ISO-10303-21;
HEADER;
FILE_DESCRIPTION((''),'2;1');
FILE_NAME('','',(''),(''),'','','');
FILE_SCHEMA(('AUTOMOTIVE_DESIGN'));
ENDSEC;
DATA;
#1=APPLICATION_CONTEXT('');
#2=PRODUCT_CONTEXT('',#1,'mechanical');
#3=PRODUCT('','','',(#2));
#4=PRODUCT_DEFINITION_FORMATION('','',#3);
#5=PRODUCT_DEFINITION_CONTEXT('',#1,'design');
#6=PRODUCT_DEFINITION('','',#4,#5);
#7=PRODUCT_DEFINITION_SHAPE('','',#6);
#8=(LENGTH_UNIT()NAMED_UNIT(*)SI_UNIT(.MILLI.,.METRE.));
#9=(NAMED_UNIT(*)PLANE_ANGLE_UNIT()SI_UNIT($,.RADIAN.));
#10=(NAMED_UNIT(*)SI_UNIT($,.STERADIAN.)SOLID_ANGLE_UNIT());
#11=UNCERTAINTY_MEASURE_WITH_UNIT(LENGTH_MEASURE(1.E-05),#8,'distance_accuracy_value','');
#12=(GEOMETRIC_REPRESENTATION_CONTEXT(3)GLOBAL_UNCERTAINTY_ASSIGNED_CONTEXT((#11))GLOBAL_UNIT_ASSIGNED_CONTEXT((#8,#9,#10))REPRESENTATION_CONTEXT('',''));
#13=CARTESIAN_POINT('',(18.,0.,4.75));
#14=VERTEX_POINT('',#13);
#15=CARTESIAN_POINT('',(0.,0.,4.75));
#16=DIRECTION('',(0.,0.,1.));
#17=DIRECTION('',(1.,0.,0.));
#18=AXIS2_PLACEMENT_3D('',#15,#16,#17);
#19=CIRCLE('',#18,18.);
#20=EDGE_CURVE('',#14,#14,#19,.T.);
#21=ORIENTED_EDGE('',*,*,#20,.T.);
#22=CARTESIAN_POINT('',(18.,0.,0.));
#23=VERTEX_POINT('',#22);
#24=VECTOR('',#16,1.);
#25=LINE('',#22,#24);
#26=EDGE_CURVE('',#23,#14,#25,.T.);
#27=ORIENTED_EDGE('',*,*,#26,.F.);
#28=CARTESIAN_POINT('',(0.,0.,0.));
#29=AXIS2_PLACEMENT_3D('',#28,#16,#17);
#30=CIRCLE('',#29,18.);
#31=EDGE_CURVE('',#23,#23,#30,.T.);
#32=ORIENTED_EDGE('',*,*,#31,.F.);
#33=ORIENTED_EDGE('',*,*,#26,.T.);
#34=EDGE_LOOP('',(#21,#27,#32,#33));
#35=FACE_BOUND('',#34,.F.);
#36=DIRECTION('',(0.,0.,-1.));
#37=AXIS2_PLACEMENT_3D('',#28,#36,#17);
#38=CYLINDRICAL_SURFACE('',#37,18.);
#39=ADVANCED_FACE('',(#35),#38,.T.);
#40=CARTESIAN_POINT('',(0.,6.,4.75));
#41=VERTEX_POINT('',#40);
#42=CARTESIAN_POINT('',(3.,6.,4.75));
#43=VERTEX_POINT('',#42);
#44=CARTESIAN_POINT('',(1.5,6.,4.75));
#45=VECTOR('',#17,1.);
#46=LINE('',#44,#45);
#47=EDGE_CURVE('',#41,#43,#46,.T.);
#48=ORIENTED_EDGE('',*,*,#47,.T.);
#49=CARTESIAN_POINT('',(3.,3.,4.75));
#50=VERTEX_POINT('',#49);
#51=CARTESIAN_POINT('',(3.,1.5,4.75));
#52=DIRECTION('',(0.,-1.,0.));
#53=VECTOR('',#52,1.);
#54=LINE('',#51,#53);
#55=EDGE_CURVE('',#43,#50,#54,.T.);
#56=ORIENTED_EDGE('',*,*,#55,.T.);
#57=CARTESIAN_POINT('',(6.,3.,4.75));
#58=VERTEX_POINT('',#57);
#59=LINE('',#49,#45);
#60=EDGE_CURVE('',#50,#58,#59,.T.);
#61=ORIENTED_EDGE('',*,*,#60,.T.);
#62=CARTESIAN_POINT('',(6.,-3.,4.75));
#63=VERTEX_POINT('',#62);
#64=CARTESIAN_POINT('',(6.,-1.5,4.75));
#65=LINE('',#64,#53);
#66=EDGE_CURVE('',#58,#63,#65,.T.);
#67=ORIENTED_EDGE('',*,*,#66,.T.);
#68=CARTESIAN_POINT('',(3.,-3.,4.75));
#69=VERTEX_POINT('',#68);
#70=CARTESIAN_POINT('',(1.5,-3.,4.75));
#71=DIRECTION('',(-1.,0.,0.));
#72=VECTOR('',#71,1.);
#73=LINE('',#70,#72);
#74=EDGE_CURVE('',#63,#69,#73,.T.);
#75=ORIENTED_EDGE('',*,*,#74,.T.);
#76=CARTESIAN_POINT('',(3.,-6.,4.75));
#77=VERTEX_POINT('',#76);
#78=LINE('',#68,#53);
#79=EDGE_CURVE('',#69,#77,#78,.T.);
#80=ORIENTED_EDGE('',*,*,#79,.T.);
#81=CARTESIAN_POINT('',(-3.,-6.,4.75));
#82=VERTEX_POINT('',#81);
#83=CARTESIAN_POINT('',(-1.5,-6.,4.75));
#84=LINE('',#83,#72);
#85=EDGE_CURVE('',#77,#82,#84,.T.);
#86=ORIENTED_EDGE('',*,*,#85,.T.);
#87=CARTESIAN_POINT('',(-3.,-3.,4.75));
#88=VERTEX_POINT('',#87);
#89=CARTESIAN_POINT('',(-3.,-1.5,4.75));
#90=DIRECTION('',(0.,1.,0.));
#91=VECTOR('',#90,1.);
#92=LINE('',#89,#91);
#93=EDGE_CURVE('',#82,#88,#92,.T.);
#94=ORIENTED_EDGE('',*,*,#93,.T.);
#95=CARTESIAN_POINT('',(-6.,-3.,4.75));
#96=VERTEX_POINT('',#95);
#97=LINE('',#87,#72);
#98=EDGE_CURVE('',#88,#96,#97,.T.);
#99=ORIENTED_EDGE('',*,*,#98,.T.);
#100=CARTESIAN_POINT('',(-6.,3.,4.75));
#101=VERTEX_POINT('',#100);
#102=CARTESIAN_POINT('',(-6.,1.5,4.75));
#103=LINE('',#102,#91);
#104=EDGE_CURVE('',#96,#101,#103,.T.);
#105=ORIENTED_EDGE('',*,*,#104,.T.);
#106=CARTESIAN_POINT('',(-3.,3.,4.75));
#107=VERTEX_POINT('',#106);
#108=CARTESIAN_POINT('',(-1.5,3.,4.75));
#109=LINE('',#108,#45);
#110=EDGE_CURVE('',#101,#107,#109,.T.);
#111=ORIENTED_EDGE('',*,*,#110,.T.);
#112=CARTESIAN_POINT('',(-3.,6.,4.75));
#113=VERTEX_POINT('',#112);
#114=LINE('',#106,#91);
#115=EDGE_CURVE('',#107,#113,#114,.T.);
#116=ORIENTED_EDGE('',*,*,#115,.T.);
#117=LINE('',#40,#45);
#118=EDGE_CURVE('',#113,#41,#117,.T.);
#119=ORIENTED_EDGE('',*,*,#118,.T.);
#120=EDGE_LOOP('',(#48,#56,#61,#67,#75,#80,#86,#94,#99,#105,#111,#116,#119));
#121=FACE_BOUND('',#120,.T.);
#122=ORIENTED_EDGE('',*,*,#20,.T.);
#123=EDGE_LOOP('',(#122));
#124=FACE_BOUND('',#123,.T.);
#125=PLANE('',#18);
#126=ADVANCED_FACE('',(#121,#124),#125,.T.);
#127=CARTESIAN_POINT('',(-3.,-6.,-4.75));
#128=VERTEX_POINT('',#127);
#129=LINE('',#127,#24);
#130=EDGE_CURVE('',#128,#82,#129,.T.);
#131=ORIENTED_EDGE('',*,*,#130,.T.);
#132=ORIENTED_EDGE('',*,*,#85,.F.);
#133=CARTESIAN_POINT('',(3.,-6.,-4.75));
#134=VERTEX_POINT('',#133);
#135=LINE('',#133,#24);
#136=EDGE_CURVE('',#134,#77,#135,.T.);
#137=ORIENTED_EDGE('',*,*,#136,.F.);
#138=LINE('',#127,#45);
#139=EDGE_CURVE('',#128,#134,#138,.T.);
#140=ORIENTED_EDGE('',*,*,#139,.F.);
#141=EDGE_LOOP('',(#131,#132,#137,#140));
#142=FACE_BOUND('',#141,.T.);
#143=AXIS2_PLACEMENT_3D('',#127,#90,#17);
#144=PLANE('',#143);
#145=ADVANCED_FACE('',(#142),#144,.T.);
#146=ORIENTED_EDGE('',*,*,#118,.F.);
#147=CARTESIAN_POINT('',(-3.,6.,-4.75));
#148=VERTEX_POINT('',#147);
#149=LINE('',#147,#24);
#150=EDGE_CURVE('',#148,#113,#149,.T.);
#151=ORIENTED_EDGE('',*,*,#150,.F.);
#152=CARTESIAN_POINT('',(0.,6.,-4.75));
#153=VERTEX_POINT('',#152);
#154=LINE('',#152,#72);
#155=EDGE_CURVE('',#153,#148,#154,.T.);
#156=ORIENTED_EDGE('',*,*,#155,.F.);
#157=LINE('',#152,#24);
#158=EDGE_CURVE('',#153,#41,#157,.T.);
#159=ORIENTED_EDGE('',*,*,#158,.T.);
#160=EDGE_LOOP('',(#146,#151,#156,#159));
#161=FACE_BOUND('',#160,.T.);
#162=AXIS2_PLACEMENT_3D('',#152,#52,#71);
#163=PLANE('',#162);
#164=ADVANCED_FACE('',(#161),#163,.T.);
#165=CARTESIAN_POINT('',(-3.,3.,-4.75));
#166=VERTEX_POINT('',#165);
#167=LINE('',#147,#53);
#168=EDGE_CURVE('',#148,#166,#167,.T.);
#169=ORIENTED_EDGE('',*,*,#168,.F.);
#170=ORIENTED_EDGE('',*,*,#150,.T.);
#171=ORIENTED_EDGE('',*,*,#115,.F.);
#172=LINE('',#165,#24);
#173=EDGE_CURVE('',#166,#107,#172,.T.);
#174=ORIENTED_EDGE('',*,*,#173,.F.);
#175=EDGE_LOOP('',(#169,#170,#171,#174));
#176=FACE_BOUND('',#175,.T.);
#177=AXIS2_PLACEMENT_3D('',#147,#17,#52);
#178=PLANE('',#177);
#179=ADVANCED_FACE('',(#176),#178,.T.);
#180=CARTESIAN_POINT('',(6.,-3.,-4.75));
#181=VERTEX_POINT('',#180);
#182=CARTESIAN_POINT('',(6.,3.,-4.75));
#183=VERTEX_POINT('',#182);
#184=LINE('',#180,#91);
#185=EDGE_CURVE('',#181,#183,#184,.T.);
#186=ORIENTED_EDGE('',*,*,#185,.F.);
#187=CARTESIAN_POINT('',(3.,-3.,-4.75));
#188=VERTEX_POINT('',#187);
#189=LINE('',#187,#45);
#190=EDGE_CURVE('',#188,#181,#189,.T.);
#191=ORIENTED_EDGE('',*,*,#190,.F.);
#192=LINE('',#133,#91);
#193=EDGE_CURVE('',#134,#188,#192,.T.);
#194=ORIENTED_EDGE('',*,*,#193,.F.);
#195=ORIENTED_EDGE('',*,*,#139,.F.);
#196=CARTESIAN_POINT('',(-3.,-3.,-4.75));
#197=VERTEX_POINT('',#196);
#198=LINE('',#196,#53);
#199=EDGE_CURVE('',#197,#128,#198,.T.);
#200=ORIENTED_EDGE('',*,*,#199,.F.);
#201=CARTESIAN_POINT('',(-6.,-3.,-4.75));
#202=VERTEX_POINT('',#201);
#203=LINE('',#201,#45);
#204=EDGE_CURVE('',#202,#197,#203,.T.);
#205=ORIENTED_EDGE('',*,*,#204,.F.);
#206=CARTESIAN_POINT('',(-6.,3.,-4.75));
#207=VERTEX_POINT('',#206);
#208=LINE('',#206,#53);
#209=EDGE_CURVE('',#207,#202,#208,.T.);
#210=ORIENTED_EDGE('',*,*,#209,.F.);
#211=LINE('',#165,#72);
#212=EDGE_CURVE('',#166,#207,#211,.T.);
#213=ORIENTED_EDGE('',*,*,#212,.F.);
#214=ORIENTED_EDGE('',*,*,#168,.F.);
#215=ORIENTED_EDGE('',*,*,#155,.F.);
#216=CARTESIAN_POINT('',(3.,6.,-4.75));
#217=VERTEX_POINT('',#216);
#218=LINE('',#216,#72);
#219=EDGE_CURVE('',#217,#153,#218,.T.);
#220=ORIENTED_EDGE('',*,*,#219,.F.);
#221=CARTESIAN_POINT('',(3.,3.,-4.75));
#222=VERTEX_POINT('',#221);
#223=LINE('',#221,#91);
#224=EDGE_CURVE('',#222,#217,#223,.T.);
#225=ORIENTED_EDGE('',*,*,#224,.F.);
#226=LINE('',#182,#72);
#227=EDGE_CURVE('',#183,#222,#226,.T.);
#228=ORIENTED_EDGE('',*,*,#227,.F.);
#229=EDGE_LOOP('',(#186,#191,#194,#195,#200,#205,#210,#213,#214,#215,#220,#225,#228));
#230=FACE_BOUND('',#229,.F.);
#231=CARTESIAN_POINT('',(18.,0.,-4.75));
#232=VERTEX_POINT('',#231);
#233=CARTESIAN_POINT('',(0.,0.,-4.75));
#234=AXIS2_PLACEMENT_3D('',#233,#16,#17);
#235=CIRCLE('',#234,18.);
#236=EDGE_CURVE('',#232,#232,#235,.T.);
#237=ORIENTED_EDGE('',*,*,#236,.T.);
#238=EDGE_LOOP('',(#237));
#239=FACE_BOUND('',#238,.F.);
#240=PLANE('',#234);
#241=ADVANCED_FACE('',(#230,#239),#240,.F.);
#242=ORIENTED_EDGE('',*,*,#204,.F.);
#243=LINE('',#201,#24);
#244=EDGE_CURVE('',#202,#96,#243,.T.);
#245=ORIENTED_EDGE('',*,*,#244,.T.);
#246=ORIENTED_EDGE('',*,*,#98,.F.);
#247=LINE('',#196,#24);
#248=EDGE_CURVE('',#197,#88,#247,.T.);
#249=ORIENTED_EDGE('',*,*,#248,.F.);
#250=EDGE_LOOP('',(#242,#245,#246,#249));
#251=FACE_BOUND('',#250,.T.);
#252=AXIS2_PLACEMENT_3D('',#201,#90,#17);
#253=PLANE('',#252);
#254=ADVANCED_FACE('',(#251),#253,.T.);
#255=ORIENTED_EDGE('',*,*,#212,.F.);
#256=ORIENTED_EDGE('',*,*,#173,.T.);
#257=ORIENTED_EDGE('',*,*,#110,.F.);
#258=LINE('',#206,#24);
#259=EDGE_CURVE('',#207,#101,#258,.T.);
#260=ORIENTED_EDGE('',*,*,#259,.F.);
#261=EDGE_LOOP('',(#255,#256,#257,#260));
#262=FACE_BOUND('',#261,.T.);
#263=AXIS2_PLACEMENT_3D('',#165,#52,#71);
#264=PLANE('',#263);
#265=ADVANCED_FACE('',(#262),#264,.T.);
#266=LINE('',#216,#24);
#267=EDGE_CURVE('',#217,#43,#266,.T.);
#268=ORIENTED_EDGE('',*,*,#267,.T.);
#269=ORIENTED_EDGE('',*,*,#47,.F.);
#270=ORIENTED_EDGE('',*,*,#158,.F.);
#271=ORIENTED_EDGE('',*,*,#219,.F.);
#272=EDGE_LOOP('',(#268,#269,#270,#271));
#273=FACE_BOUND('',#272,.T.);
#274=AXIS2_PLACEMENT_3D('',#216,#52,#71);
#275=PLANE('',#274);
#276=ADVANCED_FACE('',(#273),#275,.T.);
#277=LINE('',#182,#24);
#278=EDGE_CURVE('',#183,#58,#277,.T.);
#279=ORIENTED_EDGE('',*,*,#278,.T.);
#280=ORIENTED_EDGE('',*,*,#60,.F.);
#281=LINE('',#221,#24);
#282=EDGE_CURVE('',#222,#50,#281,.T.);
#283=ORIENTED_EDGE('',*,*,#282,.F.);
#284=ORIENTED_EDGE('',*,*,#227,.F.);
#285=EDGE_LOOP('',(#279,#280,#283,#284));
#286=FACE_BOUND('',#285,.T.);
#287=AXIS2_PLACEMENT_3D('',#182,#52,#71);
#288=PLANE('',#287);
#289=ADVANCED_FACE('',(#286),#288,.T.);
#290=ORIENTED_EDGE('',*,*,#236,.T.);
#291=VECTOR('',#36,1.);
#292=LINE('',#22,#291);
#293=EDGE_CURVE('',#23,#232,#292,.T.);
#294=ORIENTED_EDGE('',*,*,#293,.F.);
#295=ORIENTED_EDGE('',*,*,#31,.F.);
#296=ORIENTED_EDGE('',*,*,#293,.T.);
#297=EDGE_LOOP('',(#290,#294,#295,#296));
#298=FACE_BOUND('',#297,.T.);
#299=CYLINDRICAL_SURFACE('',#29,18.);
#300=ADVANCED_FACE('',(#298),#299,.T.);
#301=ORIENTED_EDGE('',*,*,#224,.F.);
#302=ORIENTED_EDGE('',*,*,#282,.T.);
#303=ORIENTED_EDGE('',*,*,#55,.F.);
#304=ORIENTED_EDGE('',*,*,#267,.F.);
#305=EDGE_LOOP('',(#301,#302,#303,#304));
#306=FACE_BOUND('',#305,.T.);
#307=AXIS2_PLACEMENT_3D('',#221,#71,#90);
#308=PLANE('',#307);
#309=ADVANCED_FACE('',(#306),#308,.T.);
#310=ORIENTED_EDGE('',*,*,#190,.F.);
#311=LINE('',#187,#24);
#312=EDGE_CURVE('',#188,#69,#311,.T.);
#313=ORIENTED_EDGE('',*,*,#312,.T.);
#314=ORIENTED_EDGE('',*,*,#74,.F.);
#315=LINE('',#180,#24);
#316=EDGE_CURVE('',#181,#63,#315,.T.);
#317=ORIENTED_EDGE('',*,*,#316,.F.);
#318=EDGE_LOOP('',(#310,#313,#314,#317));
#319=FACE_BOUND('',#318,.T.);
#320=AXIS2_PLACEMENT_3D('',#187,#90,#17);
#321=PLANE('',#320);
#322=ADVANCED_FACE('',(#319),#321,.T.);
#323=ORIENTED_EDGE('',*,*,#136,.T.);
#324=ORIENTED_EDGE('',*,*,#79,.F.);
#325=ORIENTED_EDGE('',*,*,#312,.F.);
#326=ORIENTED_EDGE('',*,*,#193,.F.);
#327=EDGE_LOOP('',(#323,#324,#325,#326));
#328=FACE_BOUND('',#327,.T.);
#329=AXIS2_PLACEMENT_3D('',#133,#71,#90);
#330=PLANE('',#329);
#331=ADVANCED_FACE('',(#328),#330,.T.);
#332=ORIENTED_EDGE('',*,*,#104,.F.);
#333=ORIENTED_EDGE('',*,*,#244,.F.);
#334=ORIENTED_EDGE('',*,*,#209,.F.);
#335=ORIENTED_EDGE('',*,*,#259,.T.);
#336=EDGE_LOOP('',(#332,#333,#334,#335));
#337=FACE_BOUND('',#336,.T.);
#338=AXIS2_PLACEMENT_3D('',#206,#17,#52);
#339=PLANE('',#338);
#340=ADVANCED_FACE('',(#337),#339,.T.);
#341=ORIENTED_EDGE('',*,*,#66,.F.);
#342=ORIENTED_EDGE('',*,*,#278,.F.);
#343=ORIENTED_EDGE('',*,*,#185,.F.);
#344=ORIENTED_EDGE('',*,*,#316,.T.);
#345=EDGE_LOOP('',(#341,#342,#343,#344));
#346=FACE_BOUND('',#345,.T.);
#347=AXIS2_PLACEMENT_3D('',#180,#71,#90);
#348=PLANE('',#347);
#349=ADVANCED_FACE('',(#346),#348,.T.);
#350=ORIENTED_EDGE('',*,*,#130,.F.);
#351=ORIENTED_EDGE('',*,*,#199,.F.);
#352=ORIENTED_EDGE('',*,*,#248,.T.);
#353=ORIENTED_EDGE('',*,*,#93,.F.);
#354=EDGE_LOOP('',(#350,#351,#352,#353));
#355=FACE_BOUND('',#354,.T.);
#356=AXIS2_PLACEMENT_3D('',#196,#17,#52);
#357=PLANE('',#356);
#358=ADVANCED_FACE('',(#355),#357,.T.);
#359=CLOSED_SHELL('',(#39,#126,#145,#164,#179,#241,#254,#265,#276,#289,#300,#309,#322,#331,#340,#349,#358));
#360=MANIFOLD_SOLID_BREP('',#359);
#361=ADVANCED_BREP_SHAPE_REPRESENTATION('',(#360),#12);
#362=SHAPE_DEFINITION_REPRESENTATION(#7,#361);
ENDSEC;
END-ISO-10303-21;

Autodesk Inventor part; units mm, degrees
ref_plane "YZ Plane" through (0, 0, 0) normal (1, 0, 0) x (0, 1, 0)
ref_plane "XZ Plane" through (0, 0, 0) normal (0, 1, 0) x (-1, 0, 0)
ref_plane "XY Plane" through (0, 0, 0) normal (0, 0, 1) x (1, 0, 0)
sketch "Sketch1" plane through (0, 0, 0) normal (0, 0, 1) x (1, 0, 0)
  circle A0 centre (0, 0) radius 18
  dimension "d0" = 36
extrude "Extrusion1" add sketch "Sketch1" along normal mid plane 9.5
sketch "Sketch2" plane through (0, 0, -4.75) normal (0, 0, -1) x (-1, 0, 0)
  line L0 (0, 0) -> (0, 6)
  line L1 (0, 6) -> (3, 6)
  line L2 (3, 6) -> (3, 3)
  line L3 (3, 3) -> (6, 3)
  line L4 (6, 3) -> (6, -3)
  line L5 (6, -3) -> (3, -3)
  line L6 (3, -3) -> (3, -6)
  line L7 (3, -6) -> (-3, -6)
  line L8 (-3, -6) -> (-3, -3)
  line L9 (-3, -3) -> (-6, -3)
  line L10 (-6, -3) -> (-6, 3)
  line L11 (-6, 3) -> (-3, 3)
  line L12 (-3, 3) -> (-3, 6)
  line L13 (-3, 6) -> (0, 6)
  dimension "d46" = 6
  dimension "d47" = 3
  dimension "d48" = 3
  dimension "d49" = 3
  dimension "d50" = 6
  dimension "d51" = 3
  dimension "d52" = 3
  dimension "d53" = 6
  dimension "d55" = 3
  dimension "d56" = 3
  dimension "d57" = 6
  dimension "d59" = 3
  dimension "d60" = 3
extrude "Extrusion2" cut sketch "Sketch2" against normal blind 11
properties part number "OmniShaft"
